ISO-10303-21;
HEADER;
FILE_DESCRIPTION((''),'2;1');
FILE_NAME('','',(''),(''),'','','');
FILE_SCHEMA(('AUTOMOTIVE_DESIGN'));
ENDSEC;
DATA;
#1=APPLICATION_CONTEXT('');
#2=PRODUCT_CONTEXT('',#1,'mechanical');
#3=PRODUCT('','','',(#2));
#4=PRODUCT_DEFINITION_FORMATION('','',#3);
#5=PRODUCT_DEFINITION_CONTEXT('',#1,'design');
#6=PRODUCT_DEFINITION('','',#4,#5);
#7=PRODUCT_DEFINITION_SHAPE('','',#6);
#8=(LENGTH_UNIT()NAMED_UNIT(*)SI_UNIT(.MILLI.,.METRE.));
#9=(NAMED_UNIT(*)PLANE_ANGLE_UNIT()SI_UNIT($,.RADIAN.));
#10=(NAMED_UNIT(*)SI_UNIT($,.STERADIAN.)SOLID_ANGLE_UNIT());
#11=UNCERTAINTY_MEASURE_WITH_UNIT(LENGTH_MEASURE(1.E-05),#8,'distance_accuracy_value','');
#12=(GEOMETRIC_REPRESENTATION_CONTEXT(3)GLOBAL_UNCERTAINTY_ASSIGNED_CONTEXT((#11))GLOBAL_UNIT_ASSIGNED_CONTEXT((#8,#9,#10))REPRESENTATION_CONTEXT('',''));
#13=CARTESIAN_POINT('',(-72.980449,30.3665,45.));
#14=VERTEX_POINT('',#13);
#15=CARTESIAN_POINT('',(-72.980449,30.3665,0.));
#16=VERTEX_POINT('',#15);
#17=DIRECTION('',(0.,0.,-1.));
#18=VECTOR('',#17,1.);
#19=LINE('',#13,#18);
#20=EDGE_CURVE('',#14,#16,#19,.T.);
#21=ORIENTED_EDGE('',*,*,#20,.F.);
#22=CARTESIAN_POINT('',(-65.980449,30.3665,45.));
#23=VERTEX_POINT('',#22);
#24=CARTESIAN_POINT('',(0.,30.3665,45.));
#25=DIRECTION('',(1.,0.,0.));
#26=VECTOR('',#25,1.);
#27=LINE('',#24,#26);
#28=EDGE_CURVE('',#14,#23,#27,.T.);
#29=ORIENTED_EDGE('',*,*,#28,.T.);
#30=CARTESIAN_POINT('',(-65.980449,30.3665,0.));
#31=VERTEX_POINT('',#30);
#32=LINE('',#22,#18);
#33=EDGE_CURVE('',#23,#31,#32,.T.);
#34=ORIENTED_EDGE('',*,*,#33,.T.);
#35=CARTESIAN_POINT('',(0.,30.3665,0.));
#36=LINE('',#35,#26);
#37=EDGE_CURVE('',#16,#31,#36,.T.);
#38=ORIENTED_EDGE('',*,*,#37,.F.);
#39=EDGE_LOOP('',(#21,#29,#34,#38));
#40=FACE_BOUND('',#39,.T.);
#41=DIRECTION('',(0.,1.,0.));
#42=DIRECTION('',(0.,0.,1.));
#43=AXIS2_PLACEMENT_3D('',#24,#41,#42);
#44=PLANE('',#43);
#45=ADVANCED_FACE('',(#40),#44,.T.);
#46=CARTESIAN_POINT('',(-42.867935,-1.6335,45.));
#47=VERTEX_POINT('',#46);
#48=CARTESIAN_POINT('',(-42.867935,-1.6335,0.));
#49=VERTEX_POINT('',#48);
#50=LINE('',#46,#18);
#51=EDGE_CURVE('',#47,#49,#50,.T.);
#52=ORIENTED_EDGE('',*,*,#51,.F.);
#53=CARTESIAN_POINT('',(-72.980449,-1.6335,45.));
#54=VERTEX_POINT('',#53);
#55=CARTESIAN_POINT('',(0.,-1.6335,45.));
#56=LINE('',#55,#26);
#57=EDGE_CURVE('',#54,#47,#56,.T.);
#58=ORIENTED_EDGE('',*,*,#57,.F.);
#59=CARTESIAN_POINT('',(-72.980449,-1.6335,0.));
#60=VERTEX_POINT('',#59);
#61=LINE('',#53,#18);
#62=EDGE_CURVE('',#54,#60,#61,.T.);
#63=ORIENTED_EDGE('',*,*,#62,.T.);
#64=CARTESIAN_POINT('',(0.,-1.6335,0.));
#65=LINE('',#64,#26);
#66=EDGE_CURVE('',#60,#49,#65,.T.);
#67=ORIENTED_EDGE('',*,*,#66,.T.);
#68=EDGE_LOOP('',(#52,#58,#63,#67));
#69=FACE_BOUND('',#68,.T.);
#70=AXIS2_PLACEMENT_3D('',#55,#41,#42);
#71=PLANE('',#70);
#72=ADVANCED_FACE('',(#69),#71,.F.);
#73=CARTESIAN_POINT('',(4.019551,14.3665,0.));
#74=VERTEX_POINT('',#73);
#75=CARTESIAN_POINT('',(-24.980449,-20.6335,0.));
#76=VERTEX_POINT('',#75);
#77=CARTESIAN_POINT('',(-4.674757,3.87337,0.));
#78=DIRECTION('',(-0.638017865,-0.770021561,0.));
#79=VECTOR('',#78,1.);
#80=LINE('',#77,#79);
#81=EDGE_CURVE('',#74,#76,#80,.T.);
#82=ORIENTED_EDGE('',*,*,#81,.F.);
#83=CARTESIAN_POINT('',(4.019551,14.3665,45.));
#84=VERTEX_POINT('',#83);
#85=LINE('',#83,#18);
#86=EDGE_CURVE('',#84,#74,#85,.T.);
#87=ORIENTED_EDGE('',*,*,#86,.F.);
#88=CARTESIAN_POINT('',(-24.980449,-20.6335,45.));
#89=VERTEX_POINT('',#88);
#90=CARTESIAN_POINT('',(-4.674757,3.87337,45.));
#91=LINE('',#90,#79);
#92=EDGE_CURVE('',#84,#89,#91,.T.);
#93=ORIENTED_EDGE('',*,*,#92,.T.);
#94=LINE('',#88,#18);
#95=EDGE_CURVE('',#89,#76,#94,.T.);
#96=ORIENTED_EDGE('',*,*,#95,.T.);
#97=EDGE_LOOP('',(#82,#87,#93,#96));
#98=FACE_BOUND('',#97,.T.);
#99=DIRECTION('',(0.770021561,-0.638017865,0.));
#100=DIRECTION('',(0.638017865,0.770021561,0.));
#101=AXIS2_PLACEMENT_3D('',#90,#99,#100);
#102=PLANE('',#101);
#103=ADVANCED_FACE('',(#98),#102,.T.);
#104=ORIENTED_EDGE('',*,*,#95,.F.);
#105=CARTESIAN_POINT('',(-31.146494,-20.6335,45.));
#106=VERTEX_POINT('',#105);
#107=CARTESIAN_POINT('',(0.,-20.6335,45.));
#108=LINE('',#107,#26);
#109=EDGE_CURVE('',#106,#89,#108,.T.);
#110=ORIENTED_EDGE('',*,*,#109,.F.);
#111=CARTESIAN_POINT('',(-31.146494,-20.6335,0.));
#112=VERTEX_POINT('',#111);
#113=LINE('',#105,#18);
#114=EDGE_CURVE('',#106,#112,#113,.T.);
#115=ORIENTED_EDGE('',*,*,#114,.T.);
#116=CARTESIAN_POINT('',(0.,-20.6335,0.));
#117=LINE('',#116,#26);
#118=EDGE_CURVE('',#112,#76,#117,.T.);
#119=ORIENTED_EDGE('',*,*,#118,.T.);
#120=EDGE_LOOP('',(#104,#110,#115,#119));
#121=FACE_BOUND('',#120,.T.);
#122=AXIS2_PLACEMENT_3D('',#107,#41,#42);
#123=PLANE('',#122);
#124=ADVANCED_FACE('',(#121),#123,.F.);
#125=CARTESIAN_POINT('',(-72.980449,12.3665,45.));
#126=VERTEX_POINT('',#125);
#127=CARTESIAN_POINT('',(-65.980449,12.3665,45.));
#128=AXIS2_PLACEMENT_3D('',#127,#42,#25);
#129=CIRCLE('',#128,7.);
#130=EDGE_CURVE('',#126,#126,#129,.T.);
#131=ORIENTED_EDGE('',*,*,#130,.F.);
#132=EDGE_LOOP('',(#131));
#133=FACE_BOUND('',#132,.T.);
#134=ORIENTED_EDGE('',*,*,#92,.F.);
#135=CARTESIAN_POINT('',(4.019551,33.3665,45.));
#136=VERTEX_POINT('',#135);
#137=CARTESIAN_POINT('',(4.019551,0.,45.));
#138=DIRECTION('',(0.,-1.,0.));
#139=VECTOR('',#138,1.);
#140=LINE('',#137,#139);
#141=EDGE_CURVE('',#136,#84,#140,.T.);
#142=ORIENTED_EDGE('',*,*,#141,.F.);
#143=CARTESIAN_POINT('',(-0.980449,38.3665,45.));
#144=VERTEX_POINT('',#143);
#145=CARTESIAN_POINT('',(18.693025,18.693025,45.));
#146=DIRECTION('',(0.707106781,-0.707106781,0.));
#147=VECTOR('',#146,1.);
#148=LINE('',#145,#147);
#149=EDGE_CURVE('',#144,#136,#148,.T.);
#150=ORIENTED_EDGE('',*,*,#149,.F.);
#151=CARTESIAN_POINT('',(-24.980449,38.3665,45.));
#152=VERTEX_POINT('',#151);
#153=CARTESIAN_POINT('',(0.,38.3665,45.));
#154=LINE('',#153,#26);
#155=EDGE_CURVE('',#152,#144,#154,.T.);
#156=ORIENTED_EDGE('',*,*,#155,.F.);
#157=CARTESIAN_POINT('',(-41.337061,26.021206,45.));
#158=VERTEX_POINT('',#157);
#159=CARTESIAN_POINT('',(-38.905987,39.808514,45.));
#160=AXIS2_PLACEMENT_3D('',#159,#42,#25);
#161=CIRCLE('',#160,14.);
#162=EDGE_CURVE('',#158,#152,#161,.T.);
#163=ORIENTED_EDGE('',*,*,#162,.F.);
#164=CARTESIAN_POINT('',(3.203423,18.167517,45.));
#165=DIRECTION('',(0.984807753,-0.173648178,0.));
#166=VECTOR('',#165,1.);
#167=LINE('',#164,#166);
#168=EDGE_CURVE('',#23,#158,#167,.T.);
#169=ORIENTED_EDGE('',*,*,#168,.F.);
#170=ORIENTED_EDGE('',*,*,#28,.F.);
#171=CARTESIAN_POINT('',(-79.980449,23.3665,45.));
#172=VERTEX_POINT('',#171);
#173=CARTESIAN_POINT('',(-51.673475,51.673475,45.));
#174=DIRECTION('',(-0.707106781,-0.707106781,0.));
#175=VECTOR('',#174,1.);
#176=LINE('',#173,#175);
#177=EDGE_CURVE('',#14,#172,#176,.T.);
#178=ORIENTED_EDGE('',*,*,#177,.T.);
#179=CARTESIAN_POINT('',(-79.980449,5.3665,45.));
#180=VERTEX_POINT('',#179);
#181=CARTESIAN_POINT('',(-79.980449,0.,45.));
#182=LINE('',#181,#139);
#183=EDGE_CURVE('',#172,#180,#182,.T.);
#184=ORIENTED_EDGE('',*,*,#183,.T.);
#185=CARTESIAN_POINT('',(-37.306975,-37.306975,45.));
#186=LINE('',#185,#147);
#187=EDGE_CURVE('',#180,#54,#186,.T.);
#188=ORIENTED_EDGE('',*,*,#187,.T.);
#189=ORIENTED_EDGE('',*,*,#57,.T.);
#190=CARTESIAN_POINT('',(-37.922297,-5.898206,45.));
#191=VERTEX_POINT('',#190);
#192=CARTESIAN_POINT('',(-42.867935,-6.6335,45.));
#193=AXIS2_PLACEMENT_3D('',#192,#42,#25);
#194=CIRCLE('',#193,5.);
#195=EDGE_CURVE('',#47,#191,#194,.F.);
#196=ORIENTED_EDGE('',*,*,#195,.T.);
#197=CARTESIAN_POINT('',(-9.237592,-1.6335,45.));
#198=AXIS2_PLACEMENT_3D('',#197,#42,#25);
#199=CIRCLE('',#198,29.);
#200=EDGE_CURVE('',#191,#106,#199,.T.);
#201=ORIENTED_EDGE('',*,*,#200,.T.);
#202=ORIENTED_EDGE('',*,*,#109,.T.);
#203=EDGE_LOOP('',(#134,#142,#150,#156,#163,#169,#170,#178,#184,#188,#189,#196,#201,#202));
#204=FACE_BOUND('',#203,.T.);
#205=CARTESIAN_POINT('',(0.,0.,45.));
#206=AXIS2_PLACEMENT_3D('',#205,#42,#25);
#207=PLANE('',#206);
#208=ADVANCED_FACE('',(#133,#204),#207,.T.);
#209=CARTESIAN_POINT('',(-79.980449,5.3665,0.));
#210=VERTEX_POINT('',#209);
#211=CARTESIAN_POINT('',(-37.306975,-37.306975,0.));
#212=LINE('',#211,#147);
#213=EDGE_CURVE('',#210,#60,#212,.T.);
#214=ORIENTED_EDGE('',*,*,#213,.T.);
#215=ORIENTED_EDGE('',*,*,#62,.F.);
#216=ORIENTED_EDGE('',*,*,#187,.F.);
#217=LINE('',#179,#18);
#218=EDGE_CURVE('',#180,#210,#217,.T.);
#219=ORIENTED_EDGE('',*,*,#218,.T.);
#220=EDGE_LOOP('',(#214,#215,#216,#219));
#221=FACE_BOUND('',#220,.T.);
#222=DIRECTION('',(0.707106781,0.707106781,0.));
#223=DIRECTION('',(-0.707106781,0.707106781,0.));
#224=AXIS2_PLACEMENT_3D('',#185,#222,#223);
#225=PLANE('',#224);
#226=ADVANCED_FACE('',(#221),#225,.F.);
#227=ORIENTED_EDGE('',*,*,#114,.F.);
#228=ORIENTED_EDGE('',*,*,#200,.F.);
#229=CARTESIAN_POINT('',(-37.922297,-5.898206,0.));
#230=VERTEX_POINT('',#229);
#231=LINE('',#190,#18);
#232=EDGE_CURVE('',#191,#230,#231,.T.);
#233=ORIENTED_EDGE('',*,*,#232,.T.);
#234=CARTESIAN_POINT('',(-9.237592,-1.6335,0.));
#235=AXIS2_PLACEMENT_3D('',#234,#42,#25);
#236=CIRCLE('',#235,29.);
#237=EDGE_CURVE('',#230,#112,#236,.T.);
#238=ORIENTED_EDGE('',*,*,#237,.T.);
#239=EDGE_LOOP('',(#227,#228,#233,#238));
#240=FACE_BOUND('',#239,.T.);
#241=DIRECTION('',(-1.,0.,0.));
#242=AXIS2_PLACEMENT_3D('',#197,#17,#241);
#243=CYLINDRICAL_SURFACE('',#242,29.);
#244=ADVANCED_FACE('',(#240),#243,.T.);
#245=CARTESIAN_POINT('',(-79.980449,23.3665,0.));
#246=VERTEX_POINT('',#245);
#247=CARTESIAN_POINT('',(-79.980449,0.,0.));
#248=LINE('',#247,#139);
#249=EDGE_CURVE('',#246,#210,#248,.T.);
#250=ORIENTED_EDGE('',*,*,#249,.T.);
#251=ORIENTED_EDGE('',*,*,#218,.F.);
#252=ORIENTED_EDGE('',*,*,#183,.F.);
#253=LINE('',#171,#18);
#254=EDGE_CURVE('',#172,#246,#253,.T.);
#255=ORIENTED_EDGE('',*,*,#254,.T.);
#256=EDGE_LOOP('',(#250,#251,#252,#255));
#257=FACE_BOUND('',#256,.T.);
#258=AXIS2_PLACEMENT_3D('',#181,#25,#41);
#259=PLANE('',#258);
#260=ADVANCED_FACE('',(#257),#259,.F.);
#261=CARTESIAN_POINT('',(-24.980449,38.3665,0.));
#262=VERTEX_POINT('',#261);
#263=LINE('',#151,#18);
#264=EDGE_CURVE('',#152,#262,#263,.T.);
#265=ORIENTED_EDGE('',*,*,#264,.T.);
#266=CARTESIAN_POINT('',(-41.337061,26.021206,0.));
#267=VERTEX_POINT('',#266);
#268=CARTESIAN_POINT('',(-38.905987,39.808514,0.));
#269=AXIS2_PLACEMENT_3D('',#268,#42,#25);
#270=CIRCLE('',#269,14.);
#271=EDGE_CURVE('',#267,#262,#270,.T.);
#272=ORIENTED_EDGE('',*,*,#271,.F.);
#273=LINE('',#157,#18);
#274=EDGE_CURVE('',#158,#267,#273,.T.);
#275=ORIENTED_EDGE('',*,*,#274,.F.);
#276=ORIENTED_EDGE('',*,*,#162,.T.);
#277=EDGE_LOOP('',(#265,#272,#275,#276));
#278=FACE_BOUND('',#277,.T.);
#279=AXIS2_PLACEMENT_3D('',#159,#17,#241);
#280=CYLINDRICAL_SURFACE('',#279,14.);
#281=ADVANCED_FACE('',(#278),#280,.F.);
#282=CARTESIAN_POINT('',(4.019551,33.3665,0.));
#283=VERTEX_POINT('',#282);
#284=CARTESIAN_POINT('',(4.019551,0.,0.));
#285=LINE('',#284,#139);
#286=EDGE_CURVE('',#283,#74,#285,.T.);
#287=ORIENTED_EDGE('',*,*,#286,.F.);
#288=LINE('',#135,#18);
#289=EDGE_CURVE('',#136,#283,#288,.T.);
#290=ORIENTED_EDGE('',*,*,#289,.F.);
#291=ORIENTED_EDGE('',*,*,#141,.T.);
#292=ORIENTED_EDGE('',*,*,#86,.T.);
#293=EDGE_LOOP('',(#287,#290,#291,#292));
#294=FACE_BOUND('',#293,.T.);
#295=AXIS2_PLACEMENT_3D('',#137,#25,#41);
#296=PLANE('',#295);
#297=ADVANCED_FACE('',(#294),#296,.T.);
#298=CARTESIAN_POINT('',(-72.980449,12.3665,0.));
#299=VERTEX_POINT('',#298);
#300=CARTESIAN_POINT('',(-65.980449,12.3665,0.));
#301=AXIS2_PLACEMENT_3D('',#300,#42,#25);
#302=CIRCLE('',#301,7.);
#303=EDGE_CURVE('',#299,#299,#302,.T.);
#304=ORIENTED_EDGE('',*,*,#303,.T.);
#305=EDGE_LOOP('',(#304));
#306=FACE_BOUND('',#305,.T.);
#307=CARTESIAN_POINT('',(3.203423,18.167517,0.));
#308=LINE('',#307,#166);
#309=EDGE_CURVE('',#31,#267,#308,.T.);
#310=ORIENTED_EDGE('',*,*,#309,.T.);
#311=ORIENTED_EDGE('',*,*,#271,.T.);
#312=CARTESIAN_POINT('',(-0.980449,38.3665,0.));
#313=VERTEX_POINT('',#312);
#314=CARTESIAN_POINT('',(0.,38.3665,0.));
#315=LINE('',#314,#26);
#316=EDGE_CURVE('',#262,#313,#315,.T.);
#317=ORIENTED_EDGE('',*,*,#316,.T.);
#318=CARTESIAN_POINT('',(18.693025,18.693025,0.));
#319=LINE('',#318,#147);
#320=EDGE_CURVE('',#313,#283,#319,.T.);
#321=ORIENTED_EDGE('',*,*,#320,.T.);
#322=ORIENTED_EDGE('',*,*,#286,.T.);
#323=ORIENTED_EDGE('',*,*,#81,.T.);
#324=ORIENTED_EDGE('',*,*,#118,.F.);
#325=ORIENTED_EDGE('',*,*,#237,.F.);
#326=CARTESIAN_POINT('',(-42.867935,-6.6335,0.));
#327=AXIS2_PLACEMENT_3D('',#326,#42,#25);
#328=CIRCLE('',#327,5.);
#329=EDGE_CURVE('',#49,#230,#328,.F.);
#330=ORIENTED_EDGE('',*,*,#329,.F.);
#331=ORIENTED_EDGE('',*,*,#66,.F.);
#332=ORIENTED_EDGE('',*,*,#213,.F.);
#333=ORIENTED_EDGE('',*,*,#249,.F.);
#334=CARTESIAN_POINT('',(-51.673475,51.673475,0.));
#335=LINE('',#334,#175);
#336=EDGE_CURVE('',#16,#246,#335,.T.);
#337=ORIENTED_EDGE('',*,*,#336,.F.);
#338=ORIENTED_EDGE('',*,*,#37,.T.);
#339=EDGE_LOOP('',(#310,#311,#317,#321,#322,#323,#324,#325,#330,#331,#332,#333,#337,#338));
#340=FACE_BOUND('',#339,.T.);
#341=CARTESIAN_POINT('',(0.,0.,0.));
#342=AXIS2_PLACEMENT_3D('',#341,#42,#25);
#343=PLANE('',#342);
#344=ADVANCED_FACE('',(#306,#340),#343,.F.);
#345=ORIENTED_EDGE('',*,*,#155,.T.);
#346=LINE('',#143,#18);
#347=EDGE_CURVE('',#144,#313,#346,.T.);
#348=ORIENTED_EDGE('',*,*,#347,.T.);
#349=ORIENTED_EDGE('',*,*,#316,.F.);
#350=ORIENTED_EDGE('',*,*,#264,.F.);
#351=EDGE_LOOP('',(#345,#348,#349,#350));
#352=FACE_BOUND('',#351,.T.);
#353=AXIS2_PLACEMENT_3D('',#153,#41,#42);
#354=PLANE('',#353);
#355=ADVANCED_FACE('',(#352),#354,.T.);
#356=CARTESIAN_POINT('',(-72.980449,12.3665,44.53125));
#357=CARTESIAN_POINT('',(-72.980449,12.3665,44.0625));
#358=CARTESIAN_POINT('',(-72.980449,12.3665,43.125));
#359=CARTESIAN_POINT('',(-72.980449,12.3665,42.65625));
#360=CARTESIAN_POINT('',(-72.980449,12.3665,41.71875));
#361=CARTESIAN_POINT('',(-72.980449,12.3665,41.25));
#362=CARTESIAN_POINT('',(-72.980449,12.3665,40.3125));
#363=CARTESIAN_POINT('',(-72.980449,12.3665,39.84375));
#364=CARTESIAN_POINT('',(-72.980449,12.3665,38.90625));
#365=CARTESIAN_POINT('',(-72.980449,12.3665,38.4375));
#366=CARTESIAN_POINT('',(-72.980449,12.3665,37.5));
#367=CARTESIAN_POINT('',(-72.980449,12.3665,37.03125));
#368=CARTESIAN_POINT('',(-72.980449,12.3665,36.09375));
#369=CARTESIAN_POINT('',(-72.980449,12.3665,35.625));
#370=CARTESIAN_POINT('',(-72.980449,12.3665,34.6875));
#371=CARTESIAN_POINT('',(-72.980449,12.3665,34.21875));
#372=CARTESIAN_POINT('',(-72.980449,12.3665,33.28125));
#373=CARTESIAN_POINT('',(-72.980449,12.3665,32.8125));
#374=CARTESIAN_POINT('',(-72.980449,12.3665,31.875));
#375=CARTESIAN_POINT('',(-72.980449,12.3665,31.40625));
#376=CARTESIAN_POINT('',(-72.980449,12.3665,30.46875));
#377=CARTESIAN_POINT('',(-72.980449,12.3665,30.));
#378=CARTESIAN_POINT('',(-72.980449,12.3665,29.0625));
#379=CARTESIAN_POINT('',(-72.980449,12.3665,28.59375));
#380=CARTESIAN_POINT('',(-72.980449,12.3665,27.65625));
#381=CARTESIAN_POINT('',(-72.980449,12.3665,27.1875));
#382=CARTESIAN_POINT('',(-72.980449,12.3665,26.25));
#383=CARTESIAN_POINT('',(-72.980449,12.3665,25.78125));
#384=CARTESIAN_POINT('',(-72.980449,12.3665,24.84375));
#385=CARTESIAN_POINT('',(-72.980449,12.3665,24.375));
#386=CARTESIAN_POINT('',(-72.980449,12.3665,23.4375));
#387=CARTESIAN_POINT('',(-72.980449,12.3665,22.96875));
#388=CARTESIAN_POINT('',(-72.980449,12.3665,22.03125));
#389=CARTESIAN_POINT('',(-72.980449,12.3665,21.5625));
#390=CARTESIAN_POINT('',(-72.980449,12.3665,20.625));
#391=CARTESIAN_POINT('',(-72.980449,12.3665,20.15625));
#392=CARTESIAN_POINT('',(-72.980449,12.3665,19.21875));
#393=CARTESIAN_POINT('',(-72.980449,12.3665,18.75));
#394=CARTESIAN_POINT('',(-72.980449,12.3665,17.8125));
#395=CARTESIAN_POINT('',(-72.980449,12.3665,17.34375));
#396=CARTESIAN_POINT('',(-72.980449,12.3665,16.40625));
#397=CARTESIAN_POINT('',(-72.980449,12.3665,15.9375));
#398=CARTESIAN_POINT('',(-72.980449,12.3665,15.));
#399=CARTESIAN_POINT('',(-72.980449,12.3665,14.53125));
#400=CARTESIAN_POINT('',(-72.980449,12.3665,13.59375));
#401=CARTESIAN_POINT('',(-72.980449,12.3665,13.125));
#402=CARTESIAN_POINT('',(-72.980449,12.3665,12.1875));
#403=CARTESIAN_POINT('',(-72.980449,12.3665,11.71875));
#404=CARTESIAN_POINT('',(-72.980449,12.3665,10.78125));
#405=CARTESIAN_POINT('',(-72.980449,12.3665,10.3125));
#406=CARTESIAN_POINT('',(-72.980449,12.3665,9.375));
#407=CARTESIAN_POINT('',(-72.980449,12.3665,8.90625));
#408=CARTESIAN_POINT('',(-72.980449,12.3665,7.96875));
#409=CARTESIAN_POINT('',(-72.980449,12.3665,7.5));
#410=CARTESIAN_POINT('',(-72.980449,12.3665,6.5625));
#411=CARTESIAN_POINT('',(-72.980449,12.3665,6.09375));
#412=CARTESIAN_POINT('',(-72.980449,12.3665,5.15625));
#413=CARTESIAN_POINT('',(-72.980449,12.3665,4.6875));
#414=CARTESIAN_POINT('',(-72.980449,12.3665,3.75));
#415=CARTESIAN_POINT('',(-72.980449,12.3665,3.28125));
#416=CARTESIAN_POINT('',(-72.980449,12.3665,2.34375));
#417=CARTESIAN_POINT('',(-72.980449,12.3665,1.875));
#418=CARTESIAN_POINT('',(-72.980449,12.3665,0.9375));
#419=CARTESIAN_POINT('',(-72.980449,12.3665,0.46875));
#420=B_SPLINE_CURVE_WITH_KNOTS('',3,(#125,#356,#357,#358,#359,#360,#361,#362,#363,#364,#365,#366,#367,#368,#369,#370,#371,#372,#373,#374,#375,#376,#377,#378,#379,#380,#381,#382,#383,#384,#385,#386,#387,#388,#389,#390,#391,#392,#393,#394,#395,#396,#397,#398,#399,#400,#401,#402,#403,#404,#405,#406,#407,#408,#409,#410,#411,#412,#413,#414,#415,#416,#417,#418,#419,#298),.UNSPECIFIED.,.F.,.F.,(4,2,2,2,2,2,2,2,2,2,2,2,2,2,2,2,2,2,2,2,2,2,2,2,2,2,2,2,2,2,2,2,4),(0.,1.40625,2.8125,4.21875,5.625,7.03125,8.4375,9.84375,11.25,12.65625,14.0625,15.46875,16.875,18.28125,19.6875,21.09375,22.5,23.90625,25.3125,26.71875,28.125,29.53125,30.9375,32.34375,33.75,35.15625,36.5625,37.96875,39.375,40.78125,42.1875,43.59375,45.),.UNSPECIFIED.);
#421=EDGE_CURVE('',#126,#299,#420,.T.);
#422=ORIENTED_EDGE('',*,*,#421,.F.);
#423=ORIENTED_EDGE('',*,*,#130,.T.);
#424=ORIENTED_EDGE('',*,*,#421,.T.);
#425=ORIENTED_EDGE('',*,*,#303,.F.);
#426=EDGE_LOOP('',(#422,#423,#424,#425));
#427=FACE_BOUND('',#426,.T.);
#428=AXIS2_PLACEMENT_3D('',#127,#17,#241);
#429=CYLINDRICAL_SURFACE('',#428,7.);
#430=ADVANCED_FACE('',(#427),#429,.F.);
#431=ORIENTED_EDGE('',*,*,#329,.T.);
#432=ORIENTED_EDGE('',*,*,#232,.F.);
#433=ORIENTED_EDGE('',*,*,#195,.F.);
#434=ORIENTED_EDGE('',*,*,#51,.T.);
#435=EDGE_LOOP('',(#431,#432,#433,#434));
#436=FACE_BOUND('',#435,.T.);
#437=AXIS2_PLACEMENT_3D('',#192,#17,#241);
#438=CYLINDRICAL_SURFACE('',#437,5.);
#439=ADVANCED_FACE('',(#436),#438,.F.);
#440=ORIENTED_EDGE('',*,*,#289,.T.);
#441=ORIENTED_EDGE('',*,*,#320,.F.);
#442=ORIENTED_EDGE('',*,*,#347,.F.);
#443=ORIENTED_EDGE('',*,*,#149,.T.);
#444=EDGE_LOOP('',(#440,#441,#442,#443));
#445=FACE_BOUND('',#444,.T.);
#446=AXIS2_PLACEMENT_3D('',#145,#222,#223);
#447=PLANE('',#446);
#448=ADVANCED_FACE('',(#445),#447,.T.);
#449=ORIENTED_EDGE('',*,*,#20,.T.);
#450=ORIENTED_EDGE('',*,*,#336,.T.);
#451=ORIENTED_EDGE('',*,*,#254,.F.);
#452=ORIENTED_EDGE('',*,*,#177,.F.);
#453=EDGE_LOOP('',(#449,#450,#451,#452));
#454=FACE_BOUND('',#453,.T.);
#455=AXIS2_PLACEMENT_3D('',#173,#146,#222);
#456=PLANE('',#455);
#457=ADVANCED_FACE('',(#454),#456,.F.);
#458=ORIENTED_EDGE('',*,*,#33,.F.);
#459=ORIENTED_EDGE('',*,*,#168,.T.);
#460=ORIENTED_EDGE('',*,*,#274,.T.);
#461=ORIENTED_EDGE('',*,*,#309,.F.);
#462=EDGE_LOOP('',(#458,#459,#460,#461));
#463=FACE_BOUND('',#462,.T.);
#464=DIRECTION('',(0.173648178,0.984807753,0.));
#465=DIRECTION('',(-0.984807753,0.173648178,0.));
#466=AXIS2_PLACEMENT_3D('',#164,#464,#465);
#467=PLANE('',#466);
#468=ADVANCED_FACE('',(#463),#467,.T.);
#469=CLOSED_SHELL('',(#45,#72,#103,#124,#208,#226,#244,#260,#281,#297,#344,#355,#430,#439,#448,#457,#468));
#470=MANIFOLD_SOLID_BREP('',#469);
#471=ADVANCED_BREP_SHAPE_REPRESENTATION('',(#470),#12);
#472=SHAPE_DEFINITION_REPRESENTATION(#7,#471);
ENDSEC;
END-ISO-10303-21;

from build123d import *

# Parameters (mm, degrees)
SKETCH1_R           = 7
BOSS_EXTRUDE1_DEPTH = 45


with BuildPart() as part:
    # Sketch1 → Boss-Extrude1 (new body)
    with BuildSketch(Plane.XY):
        with BuildLine():
            ThreePointArc((-42.867935385, -1.633500031), (-39.602699604, -2.846913799), (-37.922296644, -5.898205914))
            ThreePointArc((-37.922296644, -5.898205914), (-35.585466441, -13.749172092), (-31.146494244, -20.633500031))
            Line((-31.146494244, -20.633500031), (-24.980449087, -20.633500031))
            Line((-24.980449087, -20.633500031), (4.019550913, 14.366499969))
            Line((4.019550913, 14.366499969), (4.019550913, 33.366499969))
            Line((4.019550913, 33.366499969), (-0.980449087, 38.366499969))
            Line((-0.980449087, 38.366499969), (-24.980449087, 38.366499969))
            ThreePointArc((-24.980449087, 38.366499969), (-30.471993331, 28.634090038), (-41.337061073, 26.021205766))
            Line((-41.337061073, 26.021205766), (-65.980449087, 30.366499969))
            Line((-65.980449087, 30.366499969), (-72.980449087, 30.366499969))
            Line((-72.980449087, 30.366499969), (-79.980449087, 23.366499969))
            Line((-79.980449087, 23.366499969), (-79.980449087, 5.366499969))
            Line((-79.980449087, 5.366499969), (-72.980449087, -1.633500031))
            Line((-72.980449087, -1.633500031), (-42.867935385, -1.633500031))
        make_face()
        with Locations(Location((-65.980449087, 12.366499969, 0), (0, 0, 180))):
            Circle(SKETCH1_R, mode=Mode.SUBTRACT)
    extrude(amount=BOSS_EXTRUDE1_DEPTH)


solid = part.part
